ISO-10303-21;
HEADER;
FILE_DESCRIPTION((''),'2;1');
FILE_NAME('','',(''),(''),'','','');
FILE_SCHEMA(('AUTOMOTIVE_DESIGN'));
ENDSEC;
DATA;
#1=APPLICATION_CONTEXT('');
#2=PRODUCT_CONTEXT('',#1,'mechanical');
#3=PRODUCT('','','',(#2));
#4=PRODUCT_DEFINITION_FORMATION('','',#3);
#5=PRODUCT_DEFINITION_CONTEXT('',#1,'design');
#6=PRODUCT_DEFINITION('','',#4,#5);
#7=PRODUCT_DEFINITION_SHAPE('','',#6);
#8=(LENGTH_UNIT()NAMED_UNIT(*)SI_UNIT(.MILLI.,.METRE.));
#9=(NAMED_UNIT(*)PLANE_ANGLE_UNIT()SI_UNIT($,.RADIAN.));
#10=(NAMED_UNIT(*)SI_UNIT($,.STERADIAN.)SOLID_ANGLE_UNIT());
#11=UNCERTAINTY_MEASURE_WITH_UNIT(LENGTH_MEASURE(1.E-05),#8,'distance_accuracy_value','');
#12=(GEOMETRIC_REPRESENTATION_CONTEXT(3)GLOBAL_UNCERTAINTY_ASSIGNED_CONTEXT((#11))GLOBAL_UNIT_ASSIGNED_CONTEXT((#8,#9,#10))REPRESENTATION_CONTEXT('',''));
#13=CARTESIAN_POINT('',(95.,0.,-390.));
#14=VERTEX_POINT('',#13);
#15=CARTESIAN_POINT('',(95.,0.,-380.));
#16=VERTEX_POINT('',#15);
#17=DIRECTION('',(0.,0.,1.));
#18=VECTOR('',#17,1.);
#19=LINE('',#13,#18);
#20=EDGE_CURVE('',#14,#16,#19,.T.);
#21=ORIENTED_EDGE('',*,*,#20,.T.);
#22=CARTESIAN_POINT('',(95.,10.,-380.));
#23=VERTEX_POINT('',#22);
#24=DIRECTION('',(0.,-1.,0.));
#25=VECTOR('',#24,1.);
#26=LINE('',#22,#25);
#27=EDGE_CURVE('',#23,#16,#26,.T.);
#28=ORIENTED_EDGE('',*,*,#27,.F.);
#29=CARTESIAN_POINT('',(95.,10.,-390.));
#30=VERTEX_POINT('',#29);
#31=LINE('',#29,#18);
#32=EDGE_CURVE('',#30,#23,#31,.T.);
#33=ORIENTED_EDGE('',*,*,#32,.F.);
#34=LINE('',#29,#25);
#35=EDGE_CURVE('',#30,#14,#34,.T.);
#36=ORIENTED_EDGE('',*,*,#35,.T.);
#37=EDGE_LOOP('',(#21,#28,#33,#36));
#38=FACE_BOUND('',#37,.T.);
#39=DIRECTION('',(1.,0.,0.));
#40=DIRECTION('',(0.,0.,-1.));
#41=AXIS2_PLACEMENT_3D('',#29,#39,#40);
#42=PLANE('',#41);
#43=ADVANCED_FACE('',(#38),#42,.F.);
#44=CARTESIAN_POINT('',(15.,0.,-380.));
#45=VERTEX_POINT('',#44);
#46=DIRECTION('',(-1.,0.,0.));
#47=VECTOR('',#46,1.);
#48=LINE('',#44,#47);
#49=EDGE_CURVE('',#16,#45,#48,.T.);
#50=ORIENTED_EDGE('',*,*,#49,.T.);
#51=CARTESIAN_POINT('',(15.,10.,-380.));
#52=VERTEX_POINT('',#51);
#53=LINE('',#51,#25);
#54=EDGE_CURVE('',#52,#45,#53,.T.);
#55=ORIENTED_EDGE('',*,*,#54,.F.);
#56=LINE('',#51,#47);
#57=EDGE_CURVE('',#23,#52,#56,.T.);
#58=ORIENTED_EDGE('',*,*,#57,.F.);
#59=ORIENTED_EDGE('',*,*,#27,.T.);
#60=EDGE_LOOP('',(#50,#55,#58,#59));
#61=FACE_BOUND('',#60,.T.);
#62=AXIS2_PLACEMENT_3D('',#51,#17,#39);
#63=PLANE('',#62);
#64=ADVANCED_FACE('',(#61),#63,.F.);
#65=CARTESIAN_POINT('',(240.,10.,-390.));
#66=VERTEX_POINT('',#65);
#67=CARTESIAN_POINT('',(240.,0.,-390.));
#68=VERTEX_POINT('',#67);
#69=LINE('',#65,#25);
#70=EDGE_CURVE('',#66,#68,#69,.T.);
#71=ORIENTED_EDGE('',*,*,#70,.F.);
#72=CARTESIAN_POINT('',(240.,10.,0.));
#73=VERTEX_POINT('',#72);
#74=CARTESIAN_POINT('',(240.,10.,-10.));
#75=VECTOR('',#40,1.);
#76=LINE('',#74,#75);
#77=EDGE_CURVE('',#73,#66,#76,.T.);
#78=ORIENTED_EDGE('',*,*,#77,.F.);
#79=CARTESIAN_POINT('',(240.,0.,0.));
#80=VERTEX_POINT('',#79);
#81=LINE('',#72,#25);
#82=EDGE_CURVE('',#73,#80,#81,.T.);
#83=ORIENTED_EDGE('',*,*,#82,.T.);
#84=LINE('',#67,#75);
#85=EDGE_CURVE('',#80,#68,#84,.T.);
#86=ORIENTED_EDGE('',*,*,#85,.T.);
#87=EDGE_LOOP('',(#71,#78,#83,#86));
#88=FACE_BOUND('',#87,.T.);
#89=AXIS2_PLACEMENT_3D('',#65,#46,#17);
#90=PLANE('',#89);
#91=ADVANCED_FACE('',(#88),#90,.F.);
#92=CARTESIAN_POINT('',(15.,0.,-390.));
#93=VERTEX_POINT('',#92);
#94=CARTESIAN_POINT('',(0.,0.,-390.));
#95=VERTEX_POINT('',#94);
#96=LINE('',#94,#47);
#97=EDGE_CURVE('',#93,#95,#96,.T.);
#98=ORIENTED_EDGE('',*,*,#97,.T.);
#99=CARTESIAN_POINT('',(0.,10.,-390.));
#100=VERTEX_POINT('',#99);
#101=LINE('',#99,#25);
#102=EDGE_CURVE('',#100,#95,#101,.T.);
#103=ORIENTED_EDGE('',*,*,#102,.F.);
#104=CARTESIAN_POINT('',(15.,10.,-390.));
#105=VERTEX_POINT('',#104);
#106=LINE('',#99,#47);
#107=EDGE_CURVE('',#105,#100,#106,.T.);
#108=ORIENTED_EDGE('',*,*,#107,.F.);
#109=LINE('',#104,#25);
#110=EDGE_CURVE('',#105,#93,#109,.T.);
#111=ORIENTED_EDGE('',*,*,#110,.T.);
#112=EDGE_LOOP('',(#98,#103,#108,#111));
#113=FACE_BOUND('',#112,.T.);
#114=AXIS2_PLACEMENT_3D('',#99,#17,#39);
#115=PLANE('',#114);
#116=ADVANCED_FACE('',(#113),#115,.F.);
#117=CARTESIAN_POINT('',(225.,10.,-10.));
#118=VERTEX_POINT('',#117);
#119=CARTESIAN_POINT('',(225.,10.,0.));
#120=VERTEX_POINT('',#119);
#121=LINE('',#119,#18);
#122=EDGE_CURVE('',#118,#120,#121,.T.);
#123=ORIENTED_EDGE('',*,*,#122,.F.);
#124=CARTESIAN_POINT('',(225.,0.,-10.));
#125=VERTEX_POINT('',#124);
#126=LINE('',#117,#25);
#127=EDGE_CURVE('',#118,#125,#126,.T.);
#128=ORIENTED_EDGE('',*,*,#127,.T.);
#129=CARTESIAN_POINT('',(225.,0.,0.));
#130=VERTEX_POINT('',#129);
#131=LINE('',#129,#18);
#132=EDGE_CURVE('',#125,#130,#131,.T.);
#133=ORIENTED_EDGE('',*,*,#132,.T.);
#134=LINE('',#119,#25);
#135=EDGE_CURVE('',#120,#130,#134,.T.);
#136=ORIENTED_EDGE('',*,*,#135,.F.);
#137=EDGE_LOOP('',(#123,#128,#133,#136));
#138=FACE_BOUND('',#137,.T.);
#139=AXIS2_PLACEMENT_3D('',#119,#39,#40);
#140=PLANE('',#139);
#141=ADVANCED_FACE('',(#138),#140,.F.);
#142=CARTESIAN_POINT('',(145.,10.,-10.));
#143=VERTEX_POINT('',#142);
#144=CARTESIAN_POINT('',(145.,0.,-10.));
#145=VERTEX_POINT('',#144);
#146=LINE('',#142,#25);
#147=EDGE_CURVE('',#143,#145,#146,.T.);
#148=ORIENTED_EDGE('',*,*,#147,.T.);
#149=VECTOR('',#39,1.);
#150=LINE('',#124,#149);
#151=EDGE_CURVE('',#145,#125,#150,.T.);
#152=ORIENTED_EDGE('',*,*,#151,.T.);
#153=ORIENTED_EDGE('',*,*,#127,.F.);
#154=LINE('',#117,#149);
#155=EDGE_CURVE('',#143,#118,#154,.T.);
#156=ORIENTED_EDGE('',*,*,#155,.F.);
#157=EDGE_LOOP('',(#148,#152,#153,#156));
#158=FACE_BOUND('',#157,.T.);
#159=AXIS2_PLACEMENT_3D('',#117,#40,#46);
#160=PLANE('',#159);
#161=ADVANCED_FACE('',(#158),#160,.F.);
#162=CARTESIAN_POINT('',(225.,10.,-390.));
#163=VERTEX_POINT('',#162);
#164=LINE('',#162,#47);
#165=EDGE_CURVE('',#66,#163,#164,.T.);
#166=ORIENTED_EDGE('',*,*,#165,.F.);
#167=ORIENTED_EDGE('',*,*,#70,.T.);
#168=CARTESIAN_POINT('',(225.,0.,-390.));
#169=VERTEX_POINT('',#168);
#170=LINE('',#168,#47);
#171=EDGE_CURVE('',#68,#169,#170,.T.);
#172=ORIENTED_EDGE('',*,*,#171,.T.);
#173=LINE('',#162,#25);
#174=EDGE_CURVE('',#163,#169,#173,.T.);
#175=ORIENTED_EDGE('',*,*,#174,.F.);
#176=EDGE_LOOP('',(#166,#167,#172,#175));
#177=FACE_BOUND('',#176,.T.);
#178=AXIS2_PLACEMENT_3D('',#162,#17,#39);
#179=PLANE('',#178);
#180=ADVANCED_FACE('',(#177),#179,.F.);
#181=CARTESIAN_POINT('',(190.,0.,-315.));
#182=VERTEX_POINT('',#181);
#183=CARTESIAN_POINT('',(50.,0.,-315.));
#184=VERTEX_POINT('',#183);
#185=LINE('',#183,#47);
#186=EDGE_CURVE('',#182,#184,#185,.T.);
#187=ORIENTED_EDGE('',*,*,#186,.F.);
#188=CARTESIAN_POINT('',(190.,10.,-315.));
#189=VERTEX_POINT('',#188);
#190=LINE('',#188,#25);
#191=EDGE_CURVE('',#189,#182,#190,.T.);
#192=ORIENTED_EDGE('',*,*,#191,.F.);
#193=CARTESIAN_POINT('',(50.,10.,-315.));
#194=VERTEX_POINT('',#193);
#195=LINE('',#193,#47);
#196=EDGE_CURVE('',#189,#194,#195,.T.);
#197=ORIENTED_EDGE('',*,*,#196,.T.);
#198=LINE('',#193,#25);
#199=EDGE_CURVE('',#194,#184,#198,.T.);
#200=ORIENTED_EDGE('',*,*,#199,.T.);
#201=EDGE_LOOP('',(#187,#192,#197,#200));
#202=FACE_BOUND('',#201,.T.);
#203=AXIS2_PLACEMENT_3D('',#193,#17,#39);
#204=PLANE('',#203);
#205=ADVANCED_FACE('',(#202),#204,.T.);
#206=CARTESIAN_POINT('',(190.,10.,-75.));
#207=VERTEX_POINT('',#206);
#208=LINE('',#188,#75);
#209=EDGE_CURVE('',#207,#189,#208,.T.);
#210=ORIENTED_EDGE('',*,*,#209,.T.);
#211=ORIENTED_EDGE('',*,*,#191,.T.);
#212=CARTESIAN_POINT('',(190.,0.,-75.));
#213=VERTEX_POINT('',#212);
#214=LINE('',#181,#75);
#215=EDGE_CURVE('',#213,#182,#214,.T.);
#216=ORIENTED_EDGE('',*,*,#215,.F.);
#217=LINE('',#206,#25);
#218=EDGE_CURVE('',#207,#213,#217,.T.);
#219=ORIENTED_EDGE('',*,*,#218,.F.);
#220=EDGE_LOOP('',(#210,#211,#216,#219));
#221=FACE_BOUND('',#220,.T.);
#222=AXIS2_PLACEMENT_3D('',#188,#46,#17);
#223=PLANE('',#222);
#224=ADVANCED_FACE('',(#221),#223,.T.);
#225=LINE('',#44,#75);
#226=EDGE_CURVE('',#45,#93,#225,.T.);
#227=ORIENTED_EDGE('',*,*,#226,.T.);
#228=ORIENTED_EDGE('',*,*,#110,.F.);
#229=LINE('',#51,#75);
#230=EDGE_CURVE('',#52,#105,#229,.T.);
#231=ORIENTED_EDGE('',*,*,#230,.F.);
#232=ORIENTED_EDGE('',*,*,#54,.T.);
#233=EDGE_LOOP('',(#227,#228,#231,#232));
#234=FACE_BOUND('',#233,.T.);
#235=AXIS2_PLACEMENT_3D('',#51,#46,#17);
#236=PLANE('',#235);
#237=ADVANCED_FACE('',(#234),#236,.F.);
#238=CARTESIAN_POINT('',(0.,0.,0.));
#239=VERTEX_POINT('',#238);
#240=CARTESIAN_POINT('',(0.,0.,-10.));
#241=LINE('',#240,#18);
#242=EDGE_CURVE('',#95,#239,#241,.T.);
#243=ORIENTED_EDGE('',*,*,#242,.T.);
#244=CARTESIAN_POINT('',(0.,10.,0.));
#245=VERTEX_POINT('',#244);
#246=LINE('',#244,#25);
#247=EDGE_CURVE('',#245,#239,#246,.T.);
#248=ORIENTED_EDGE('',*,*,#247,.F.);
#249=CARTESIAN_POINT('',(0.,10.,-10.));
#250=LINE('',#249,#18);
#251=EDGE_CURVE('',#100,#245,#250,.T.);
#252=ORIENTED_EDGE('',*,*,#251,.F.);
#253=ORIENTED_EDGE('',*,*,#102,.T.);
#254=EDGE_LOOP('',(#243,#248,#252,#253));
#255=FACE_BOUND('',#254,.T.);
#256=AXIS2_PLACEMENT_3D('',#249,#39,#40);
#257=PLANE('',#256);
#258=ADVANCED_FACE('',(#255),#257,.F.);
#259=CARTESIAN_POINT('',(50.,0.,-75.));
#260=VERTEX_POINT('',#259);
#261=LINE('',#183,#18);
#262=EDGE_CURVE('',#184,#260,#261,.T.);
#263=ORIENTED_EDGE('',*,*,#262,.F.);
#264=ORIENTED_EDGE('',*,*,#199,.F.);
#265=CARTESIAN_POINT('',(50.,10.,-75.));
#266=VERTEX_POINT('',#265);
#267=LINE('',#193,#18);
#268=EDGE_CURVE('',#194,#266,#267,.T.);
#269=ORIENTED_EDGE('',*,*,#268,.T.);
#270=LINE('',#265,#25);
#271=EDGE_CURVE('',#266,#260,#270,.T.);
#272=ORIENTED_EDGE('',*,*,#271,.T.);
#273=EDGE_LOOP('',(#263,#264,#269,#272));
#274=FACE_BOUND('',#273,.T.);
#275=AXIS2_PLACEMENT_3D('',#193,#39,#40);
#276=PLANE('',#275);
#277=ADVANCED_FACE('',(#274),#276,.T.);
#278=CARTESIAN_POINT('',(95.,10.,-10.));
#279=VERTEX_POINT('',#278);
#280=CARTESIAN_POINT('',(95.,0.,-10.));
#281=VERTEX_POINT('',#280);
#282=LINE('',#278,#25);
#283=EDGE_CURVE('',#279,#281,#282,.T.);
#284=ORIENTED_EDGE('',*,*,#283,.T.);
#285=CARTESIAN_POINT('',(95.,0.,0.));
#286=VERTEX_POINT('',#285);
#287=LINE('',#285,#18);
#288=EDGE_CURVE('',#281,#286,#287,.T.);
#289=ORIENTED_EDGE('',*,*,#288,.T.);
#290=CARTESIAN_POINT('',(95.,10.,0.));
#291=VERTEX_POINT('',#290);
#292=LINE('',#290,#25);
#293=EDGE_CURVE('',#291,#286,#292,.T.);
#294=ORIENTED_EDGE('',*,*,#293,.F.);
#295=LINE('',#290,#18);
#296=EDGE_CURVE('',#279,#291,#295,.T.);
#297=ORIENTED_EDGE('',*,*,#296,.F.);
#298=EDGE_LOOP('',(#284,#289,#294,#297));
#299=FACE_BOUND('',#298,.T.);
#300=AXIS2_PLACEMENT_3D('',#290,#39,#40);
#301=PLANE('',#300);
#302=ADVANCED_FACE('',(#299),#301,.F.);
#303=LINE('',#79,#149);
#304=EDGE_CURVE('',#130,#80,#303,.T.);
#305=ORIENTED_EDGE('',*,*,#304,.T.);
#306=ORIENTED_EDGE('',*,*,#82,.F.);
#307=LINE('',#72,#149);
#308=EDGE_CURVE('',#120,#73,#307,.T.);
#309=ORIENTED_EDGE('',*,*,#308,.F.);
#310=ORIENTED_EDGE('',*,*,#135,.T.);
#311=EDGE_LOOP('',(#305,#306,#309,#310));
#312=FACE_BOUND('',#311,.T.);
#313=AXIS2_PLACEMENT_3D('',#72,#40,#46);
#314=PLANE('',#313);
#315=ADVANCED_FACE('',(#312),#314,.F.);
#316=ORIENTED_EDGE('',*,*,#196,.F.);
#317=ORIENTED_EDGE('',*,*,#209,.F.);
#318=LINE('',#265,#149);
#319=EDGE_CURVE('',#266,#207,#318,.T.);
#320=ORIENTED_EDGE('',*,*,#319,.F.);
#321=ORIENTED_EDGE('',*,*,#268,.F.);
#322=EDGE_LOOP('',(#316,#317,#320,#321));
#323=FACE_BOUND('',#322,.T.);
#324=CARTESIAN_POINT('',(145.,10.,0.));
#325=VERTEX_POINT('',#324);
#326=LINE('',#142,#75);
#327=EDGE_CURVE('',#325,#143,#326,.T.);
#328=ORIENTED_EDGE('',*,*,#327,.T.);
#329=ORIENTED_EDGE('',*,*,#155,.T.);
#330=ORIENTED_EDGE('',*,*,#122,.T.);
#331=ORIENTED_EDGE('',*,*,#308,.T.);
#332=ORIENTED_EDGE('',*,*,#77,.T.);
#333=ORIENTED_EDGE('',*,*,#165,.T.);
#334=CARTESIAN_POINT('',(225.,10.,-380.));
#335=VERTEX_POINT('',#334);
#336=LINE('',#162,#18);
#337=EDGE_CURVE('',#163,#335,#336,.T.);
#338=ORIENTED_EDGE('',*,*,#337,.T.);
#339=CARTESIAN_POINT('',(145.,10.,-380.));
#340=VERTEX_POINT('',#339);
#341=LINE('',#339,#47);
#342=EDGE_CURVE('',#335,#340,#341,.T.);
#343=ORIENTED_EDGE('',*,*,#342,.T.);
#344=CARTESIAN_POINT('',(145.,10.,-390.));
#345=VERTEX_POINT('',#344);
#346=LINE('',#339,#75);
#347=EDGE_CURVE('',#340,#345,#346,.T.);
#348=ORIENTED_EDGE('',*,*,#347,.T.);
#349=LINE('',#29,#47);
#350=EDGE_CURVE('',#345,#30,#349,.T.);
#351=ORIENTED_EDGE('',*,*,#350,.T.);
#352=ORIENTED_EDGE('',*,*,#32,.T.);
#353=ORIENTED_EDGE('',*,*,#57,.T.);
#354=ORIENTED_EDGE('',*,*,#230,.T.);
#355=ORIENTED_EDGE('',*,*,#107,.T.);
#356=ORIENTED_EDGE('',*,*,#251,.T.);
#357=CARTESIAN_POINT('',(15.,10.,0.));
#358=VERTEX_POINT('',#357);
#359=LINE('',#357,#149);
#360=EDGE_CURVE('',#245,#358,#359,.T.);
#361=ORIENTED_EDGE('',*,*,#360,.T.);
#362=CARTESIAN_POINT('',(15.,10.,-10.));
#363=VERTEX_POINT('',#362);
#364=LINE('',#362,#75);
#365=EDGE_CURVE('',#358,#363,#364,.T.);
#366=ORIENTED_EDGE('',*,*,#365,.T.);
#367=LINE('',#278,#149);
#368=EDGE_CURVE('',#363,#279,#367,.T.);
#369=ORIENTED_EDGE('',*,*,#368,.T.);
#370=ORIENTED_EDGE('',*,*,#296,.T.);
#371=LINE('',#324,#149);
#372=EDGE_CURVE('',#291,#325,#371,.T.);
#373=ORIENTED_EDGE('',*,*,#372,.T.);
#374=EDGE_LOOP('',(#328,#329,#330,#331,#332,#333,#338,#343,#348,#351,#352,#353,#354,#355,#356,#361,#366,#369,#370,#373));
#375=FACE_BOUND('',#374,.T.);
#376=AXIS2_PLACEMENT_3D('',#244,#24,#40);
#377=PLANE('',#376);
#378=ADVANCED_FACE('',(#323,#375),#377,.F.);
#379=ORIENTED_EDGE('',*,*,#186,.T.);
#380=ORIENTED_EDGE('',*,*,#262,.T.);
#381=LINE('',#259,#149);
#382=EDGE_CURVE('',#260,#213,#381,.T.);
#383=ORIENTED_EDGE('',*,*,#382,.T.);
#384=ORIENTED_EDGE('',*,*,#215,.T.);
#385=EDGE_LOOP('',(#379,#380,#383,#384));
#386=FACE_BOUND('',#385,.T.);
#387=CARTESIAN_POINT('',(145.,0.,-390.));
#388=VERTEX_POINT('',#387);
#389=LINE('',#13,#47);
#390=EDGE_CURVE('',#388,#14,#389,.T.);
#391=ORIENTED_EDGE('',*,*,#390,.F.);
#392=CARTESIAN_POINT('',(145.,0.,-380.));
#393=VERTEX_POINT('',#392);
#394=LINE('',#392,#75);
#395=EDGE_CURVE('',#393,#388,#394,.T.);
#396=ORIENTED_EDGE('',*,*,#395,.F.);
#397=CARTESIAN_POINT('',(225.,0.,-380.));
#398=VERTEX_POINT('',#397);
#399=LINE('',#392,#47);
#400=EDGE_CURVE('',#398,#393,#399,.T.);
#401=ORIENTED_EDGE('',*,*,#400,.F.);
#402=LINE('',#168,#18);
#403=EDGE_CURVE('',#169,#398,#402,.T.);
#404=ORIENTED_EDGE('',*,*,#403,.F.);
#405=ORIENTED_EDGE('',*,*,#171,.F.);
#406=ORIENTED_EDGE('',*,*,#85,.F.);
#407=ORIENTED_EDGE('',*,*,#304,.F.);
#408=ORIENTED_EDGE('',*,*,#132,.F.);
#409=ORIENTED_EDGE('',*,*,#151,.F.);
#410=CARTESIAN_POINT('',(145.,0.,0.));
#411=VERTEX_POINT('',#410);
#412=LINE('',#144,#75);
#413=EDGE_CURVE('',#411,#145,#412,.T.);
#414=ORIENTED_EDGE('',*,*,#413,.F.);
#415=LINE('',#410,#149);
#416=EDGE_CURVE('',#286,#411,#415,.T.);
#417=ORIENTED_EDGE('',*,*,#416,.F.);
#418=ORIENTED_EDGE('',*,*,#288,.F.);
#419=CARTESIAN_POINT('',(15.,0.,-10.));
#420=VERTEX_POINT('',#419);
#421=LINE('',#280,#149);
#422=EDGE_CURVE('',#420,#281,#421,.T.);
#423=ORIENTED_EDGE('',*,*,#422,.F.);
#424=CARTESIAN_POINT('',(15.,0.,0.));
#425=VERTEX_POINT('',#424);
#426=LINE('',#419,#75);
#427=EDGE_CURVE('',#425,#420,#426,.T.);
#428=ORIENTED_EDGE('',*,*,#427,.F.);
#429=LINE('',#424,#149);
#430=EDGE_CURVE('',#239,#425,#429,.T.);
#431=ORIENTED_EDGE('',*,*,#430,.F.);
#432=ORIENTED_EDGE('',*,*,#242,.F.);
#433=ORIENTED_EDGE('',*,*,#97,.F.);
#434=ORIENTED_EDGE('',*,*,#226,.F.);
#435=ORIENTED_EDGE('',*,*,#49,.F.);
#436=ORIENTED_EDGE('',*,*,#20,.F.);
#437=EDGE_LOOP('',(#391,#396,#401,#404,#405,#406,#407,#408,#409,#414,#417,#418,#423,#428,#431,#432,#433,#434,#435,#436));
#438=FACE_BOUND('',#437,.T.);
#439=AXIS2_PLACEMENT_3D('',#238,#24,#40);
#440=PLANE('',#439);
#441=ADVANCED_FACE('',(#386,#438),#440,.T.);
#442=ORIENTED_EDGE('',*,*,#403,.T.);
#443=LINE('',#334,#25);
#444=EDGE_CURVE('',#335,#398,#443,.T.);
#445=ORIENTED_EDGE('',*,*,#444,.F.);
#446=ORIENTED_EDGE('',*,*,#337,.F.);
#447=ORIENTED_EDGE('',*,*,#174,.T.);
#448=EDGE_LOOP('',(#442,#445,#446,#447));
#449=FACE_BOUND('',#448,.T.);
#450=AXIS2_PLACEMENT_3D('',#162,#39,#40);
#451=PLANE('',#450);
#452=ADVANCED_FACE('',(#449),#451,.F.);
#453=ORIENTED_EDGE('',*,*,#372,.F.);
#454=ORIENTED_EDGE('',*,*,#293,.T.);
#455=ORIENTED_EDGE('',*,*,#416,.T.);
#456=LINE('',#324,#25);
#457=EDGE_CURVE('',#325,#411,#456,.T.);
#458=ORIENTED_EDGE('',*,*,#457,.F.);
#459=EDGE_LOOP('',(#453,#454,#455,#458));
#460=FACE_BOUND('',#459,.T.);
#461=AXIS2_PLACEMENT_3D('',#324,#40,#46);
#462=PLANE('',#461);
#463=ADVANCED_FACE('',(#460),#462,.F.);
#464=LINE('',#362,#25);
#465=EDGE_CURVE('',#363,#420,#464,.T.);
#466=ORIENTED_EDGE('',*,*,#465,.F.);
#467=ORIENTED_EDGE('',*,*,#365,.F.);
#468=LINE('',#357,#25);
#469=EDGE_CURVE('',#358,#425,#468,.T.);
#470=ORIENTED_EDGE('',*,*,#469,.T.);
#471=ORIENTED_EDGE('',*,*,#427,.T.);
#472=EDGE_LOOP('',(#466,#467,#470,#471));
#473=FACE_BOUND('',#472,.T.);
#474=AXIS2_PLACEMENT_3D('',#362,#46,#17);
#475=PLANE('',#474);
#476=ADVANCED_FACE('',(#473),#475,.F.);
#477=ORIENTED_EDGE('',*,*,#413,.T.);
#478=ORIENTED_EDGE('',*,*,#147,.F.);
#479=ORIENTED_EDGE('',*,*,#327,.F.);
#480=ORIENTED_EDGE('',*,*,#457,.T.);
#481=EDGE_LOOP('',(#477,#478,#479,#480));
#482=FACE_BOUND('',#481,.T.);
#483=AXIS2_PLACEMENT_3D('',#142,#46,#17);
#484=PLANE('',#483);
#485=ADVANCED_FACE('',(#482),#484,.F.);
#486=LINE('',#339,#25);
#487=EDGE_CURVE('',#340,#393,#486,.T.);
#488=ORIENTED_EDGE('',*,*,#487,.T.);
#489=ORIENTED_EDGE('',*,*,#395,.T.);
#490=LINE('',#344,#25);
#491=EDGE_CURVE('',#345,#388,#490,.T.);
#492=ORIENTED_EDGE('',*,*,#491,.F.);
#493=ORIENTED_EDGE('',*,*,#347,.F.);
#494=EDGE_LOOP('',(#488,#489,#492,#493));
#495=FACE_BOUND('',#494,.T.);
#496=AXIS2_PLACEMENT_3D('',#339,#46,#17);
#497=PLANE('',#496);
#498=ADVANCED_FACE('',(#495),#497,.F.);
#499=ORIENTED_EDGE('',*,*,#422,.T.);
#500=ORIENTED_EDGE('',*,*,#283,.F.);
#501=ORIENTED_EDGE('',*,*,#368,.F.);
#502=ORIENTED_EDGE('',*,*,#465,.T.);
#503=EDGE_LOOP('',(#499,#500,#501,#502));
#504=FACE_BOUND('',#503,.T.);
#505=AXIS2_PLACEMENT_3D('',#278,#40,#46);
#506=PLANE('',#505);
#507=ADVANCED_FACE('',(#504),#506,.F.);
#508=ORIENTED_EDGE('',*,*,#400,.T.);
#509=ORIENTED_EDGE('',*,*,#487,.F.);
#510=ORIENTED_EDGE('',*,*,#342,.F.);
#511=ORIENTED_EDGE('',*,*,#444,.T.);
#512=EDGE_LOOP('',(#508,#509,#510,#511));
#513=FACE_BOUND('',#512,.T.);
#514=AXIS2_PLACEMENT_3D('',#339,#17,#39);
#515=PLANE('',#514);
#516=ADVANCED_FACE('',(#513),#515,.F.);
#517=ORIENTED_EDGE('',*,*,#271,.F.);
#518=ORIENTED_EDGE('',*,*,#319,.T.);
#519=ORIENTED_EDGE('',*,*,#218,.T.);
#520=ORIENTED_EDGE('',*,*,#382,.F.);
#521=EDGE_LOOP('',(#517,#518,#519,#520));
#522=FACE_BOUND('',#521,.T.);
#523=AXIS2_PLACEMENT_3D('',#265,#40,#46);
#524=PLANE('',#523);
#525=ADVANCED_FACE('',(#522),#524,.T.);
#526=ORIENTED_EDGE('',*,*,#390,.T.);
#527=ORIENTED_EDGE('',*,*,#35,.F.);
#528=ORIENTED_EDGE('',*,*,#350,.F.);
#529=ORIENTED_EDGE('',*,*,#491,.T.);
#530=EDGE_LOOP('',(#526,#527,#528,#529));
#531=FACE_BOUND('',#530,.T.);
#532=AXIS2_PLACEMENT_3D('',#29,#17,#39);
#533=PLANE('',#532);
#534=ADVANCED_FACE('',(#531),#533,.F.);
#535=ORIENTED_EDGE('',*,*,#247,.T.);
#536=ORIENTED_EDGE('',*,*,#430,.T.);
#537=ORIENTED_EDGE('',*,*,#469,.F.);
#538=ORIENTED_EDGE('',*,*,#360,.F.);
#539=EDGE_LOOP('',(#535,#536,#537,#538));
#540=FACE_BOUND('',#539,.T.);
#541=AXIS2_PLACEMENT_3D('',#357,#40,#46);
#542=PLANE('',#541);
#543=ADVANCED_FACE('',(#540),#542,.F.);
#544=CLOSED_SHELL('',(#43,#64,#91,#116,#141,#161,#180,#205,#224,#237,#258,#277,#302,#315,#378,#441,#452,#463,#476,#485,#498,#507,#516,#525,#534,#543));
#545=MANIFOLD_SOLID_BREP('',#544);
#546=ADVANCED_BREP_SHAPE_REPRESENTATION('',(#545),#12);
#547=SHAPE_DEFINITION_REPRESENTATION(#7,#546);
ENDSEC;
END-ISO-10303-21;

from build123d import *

# Parameters (mm, degrees)
ESQUISSE1_W        = 140
ESQUISSE1_H        = 240
BOSS_EXTRU_1_DEPTH = 10


with BuildPart() as part:
    # Esquisse1 → Boss.-Extru.1 (new body)
    with BuildSketch(Plane(origin=(0, 0, 0), x_dir=(1, 0, 0), z_dir=(0, 1, 0))):
        Polygon((15, 10), (15, 0), (0, 0), (0, 10), (0, 380), (0, 390), (15, 390), (15, 380), (95, 380), (95, 390), (145, 390), (145, 380), (225, 380), (225, 390), (240, 390), (240, 380), (240, 10), (240, 0), (225, 0), (225, 10), (145, 10), (145, 0), (95, 0), (95, 10), align=None)
        with Locations((120, 195)):
            Rectangle(ESQUISSE1_W, ESQUISSE1_H, mode=Mode.SUBTRACT)
    extrude(amount=BOSS_EXTRU_1_DEPTH)


solid = part.part
